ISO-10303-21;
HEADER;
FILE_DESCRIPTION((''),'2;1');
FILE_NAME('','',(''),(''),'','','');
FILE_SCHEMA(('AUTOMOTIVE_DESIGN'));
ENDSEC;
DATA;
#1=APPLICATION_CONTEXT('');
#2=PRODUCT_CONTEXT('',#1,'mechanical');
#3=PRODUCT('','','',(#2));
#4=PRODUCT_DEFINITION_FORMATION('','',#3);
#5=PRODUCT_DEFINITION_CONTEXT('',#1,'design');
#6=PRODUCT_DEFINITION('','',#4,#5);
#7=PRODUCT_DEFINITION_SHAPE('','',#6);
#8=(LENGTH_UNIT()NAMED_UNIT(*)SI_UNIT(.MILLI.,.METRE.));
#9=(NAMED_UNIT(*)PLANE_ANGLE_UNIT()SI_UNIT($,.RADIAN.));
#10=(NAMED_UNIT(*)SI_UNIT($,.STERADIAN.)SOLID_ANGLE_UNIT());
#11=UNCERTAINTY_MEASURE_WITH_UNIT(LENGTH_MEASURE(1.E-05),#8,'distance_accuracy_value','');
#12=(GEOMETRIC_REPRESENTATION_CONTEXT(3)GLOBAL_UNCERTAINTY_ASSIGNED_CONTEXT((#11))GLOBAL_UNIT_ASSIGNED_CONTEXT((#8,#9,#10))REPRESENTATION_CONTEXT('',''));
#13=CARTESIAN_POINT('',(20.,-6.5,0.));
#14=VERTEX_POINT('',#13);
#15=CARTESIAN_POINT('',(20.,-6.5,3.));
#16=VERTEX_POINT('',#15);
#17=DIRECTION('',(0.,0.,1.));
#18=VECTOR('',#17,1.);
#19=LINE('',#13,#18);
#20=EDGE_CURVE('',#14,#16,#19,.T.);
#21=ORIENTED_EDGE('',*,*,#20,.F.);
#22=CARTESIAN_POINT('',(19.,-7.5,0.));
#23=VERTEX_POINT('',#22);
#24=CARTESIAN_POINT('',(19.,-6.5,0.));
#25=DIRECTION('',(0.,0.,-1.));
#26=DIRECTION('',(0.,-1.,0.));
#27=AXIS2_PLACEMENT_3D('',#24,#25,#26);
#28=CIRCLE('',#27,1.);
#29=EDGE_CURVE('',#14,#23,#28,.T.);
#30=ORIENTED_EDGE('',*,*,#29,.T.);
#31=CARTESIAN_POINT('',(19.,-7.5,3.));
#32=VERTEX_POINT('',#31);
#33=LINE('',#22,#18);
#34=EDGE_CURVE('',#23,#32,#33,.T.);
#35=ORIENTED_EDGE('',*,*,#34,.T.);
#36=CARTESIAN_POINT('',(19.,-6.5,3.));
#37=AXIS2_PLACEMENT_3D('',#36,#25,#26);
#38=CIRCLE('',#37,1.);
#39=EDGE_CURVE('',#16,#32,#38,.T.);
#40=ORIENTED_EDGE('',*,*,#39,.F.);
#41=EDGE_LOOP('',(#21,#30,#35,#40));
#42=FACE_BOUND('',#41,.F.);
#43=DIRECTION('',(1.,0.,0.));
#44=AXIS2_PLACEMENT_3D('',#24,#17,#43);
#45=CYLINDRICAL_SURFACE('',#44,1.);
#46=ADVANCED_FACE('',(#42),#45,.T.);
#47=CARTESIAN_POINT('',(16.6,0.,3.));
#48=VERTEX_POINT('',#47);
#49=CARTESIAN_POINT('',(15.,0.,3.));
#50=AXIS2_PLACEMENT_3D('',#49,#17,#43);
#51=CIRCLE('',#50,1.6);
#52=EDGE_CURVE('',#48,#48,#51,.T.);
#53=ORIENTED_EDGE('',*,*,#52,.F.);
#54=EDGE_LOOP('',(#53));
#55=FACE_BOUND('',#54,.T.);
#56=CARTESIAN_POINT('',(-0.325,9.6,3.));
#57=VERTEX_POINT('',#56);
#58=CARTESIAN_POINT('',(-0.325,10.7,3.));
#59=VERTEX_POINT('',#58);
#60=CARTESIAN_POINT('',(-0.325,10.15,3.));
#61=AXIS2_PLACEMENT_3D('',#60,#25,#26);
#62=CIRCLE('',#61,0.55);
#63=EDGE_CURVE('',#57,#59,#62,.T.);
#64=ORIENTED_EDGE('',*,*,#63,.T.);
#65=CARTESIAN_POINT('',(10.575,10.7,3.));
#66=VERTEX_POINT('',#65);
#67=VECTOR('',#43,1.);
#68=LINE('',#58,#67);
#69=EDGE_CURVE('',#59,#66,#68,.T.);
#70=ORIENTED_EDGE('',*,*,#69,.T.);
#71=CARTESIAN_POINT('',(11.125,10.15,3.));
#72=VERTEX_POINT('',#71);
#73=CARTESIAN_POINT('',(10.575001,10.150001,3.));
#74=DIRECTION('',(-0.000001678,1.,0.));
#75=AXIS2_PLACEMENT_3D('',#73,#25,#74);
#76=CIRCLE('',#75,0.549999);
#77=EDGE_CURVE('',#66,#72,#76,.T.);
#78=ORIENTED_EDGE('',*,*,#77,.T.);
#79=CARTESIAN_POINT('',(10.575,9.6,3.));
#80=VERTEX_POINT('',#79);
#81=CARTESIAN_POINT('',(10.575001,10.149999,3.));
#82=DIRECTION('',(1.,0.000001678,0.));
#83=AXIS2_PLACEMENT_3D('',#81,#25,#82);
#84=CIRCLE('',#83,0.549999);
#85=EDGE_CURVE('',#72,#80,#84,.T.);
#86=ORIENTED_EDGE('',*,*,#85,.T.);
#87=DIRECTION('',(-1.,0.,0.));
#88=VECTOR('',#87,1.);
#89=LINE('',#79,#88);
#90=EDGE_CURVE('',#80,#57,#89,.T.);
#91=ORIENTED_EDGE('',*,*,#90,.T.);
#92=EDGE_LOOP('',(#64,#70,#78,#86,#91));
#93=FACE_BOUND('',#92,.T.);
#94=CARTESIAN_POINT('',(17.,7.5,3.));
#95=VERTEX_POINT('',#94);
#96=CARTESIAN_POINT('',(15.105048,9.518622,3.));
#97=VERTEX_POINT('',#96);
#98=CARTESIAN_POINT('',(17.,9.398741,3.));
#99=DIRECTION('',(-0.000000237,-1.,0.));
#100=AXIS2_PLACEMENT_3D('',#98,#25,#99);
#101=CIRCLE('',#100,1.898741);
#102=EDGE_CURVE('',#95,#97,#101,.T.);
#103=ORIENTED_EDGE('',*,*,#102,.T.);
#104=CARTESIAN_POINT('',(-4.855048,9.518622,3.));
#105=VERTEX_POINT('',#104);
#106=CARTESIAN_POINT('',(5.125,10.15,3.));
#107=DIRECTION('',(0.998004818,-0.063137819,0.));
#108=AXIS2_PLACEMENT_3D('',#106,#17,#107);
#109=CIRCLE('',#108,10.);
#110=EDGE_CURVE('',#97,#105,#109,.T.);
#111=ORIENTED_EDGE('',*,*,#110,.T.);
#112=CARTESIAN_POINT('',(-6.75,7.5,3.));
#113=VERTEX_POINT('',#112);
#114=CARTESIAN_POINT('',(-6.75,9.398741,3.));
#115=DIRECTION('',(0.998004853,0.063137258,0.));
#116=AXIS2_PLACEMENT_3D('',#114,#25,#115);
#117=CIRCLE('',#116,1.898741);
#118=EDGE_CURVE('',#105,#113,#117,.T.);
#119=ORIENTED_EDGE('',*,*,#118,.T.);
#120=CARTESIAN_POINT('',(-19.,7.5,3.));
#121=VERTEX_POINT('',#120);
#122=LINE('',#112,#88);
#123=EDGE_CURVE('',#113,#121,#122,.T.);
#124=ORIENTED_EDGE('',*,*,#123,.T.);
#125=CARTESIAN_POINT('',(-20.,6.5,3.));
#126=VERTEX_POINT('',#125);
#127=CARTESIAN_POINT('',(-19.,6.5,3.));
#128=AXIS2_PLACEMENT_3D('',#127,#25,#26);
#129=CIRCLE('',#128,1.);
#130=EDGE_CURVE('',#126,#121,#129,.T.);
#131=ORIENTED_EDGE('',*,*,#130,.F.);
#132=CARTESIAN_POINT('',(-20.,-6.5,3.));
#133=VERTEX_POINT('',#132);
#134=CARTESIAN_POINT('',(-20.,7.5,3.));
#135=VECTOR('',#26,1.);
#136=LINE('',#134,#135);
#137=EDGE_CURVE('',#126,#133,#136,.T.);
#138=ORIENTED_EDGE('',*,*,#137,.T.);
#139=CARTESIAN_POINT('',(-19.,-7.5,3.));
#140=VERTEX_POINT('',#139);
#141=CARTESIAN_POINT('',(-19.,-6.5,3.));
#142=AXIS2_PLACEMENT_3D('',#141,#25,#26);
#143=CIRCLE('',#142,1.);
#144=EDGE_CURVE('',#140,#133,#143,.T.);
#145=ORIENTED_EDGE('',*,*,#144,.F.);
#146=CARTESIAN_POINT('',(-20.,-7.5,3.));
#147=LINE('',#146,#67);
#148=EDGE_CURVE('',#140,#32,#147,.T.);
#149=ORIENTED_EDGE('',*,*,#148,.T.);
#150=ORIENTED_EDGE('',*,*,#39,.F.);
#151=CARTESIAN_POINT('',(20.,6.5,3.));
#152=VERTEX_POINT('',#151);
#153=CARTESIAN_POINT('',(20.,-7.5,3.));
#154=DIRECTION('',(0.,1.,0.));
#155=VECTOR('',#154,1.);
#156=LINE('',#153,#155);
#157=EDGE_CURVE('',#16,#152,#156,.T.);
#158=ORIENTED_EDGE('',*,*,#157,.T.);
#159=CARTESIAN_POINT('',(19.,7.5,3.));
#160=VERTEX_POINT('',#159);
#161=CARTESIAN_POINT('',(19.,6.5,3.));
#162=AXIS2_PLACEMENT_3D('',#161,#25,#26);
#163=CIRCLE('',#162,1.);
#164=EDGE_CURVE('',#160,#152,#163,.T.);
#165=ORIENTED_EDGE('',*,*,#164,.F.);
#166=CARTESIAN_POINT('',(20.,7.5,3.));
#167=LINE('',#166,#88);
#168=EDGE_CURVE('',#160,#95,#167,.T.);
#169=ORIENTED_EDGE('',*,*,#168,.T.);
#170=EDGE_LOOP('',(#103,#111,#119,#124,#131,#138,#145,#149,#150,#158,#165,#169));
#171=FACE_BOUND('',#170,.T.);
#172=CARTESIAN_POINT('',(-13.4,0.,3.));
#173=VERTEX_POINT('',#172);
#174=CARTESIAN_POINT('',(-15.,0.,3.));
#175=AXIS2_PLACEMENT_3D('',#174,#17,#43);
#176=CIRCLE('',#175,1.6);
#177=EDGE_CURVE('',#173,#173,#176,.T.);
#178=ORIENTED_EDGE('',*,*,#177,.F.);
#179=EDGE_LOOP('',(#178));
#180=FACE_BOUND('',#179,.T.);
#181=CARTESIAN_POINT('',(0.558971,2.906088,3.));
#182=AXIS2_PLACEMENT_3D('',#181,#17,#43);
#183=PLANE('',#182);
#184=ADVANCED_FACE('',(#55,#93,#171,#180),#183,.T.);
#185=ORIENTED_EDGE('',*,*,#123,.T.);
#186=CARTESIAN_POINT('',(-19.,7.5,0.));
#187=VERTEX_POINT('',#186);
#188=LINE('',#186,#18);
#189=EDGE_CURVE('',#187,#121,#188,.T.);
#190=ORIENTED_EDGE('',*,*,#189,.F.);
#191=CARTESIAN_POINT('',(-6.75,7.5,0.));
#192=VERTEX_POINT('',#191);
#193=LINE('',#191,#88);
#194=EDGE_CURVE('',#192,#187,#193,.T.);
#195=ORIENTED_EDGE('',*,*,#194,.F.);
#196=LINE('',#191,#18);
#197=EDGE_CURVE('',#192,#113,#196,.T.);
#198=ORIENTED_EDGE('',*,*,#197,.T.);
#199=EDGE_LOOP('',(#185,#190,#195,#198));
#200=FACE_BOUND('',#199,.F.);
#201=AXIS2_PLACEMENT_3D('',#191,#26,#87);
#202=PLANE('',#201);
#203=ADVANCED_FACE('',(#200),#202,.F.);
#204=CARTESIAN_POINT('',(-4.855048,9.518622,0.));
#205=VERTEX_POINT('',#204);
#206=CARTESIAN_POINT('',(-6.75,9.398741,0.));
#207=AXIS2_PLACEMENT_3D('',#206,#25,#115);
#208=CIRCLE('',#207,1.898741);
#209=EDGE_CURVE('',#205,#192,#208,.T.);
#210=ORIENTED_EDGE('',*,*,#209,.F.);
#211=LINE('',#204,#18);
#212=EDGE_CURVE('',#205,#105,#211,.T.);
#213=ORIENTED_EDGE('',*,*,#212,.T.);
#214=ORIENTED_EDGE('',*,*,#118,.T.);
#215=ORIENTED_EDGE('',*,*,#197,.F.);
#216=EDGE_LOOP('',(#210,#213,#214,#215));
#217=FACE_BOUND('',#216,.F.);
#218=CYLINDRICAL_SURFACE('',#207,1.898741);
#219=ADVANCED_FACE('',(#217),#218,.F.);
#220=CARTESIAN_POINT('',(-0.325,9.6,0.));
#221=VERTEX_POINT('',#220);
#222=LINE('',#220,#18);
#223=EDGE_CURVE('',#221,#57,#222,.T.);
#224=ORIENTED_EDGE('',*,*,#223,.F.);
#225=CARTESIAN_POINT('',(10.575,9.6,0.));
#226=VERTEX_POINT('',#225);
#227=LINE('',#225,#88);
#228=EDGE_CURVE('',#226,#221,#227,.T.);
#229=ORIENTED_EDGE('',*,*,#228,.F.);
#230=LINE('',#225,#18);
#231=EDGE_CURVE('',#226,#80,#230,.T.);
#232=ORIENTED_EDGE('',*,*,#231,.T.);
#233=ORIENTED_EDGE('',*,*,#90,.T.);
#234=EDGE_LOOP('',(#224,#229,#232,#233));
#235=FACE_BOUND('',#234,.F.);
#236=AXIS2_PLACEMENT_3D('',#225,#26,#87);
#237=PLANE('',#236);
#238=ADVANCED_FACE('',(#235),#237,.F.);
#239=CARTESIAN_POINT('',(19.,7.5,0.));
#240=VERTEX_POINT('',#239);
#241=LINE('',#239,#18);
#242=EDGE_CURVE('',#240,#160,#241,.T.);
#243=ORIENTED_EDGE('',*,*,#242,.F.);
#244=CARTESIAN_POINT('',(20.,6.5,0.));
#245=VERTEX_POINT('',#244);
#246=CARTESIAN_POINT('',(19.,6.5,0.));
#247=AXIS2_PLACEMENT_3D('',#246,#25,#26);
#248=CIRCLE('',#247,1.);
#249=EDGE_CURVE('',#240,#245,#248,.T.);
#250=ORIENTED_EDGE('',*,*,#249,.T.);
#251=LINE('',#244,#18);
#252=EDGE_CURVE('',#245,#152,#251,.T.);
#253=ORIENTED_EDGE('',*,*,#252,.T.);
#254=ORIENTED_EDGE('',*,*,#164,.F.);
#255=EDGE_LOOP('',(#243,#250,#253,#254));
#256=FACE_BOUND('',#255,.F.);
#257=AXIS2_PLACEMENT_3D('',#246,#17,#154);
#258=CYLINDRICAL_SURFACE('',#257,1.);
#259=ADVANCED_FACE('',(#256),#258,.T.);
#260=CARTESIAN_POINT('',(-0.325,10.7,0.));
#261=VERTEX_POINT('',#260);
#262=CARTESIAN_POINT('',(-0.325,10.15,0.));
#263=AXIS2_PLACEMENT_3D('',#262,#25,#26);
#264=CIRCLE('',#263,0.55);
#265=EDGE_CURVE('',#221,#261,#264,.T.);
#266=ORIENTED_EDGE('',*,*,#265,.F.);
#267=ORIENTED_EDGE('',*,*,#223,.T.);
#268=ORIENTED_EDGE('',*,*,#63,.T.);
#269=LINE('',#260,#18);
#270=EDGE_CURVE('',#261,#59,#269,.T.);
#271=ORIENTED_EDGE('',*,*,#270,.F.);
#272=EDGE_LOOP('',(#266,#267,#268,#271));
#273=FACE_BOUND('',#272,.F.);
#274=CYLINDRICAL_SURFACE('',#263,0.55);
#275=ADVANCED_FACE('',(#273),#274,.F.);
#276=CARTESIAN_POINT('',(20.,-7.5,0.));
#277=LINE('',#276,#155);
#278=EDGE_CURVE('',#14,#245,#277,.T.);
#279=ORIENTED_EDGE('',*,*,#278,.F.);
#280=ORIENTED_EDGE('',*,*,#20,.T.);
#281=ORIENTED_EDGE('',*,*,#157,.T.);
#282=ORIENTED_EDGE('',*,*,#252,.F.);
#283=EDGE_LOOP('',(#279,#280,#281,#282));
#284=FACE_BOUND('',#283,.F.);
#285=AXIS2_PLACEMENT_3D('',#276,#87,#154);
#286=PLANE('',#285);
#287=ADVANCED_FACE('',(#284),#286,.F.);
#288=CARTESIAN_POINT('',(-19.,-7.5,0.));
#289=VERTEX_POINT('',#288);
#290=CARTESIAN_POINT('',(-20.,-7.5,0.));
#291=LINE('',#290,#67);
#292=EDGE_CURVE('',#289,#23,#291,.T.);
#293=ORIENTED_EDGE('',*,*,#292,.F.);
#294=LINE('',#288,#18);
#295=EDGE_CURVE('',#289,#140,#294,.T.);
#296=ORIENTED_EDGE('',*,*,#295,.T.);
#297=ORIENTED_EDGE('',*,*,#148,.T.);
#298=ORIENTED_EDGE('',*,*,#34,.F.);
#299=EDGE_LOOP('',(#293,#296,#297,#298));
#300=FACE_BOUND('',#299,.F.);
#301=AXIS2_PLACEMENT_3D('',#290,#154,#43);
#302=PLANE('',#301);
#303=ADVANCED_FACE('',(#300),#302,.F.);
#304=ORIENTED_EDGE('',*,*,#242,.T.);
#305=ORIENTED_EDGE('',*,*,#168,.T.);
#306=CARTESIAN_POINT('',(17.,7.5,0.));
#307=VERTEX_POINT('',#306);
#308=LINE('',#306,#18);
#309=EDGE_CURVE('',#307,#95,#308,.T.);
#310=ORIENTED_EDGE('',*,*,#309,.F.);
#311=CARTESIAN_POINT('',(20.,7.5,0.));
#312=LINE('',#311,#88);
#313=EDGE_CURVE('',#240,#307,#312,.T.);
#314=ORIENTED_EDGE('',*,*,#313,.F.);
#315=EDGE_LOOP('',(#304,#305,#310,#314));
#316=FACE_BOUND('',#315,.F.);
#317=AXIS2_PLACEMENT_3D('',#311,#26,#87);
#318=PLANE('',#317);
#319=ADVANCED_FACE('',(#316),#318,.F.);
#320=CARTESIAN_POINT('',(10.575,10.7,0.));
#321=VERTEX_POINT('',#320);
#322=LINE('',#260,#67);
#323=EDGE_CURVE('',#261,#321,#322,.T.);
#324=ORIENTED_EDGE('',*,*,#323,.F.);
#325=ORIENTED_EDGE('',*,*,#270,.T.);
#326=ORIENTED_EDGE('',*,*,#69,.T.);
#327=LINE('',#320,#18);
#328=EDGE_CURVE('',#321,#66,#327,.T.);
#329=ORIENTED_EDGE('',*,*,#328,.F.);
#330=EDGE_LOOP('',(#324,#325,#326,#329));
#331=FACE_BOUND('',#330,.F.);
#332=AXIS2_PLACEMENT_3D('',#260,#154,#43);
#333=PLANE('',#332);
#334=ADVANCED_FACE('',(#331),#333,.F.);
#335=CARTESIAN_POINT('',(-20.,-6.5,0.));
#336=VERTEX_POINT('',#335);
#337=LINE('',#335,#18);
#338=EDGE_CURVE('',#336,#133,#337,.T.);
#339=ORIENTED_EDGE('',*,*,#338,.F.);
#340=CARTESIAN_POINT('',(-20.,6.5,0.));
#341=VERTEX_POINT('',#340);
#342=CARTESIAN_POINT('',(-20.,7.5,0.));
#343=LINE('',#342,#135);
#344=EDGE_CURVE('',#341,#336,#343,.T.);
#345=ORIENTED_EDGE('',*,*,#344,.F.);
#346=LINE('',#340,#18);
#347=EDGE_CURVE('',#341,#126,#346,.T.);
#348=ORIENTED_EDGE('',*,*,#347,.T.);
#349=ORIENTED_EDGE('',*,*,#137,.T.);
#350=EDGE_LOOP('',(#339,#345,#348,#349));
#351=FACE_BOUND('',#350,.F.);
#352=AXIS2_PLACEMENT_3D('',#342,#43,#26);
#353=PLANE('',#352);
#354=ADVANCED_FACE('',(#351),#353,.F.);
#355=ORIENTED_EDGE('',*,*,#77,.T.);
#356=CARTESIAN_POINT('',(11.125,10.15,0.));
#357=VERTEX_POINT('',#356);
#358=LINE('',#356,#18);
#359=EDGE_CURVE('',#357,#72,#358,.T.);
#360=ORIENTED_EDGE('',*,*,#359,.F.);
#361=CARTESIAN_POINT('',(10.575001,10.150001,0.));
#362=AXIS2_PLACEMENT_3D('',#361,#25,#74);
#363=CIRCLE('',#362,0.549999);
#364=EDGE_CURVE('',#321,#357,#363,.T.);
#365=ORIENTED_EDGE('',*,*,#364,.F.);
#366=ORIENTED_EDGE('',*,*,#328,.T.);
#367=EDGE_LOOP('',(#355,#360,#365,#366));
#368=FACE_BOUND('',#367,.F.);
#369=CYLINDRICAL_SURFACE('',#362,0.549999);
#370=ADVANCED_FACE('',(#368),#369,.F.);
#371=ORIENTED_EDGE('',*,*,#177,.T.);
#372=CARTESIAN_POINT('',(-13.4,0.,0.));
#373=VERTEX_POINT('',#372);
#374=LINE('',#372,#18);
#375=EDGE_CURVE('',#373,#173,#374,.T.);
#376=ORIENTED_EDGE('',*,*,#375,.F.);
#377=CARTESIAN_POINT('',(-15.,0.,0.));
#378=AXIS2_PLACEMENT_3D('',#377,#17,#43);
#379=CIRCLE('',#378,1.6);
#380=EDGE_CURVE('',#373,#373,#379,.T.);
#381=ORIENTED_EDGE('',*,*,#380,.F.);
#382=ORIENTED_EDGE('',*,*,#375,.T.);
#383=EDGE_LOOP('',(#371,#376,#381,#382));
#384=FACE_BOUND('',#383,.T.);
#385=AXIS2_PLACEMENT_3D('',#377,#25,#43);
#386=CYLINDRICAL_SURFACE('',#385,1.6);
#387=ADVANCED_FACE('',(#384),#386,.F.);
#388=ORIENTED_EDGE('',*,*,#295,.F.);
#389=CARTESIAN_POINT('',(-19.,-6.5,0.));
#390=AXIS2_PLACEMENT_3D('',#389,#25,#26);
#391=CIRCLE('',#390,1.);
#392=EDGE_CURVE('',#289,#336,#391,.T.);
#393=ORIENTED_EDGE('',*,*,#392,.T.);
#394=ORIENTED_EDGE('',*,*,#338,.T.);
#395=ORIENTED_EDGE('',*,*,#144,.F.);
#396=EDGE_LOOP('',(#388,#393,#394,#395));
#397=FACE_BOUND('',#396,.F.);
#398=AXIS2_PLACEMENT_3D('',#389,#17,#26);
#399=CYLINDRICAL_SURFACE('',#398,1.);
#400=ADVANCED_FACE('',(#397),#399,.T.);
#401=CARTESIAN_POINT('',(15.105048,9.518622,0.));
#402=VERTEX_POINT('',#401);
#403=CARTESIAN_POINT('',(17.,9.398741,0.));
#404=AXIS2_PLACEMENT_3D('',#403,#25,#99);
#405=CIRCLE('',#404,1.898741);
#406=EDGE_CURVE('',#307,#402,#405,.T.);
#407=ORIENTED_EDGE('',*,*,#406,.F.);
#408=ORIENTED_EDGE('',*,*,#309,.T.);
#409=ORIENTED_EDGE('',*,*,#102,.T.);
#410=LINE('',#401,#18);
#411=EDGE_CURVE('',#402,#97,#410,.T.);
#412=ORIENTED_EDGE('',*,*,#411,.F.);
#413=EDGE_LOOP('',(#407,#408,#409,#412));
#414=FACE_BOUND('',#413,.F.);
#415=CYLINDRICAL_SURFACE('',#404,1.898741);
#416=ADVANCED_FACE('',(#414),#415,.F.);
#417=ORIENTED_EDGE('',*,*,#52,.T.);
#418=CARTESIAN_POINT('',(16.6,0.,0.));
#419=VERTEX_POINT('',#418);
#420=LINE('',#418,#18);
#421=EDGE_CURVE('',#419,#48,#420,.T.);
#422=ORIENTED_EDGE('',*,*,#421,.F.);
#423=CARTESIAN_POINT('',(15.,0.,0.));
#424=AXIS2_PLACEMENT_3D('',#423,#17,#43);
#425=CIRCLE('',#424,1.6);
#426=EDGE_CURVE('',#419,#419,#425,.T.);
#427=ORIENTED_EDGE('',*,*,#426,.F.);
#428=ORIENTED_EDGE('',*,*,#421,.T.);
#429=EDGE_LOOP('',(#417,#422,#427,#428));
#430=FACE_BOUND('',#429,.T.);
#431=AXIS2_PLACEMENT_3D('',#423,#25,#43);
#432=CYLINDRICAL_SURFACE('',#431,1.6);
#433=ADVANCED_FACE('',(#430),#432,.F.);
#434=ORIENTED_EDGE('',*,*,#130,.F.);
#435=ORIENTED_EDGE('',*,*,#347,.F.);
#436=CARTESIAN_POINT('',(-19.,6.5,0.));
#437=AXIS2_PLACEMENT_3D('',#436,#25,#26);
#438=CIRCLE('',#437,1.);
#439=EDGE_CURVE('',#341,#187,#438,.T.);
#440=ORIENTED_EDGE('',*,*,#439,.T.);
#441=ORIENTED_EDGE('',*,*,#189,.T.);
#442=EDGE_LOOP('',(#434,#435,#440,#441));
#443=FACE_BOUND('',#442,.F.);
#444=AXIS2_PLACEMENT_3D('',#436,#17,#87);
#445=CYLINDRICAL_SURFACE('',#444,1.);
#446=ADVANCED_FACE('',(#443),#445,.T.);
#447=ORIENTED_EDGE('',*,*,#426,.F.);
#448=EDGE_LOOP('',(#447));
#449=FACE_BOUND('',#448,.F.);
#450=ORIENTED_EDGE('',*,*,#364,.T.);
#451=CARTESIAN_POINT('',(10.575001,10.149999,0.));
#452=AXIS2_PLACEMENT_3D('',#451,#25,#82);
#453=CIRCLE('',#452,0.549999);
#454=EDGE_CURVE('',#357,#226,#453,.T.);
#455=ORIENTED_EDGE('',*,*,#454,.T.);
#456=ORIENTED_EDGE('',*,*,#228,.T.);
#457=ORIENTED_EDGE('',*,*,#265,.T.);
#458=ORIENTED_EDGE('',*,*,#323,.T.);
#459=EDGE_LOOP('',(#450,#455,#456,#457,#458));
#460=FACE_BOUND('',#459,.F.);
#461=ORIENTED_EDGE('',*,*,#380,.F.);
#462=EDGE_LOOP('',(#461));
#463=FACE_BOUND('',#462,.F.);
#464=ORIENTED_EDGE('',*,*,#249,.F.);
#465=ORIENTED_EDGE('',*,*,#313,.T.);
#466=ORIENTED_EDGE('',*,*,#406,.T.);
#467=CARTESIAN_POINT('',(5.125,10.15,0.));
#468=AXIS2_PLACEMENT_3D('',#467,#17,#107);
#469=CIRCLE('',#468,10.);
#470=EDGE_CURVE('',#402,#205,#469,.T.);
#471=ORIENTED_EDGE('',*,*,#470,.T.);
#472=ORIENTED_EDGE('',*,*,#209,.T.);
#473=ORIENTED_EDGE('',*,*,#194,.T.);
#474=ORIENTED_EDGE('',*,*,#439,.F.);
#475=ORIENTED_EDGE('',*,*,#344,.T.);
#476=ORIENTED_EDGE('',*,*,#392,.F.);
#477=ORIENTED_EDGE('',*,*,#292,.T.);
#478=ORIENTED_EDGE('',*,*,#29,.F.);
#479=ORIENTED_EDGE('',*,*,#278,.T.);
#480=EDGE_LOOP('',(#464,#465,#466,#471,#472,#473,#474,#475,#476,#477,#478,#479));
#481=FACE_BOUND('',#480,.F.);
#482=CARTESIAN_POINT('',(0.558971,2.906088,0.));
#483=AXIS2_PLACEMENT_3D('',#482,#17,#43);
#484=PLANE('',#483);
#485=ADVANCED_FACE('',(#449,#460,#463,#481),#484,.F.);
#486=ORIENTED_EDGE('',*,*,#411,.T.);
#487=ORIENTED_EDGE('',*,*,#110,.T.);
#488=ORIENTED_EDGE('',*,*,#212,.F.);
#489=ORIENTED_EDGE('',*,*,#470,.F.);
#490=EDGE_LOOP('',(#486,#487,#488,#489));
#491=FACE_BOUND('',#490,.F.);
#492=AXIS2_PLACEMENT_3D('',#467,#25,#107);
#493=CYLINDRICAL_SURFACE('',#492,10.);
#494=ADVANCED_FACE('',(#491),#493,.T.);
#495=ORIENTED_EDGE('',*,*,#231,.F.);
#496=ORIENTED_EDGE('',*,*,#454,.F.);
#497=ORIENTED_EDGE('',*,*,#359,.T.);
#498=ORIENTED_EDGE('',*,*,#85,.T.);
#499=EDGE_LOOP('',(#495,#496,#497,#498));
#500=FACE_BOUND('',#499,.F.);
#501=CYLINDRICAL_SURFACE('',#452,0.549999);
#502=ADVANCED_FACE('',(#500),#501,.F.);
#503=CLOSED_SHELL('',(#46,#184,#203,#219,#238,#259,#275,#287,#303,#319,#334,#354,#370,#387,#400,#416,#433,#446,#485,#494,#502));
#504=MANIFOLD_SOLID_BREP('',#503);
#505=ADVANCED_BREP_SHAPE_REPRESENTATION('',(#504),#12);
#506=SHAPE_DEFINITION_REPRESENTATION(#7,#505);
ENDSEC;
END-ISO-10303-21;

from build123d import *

# Parameters (mm, degrees)
F0_R     = 1.6
F1_DEPTH = 3
F2_R     = 1


with BuildPart() as f1:
    # F0 (on Top) → F1 (new body)
    with BuildSketch(Plane.XY):
        with BuildLine():
            Line((20, 0), (20, 7.5))
            Line((20, 7.5), (17, 7.5))
            ThreePointArc((17, 7.5), (15.615652, 8.099204), (15.105048, 9.518622))
            ThreePointArc((15.105048, 9.518622), (5.125, 20.15), (-4.855048, 9.518622))
            ThreePointArc((-4.855048, 9.518622), (-5.365652, 8.099204), (-6.75, 7.5))
            Line((-6.75, 7.5), (-20, 7.5))
            Line((-20, 7.5), (-20, 0))
            Line((-20, 0), (-20, -7.5))
            Line((-20, -7.5), (20, -7.5))
            Line((20, -7.5), (20, 0))
        make_face()
        with Locations((-15, 0)):
            Circle(F0_R, mode=Mode.SUBTRACT)
        with Locations((15, 0)):
            Circle(F0_R, mode=Mode.SUBTRACT)
        with BuildLine():
            ThreePointArc((-0.325, 9.6), (-0.875, 10.15), (-0.325, 10.7))
            Line((-0.325, 10.7), (10.575, 10.7))
            ThreePointArc((10.575, 10.7), (10.963909, 10.538909), (11.125, 10.15))
            ThreePointArc((11.125, 10.15), (10.963909, 9.761091), (10.575, 9.6))
            Line((10.575, 9.6), (-0.325, 9.6))
        make_face(mode=Mode.SUBTRACT)
    extrude(amount=F1_DEPTH)

    # F2
    f2_edges = [f1.edges().sort_by_distance(p)[0] for p in [
        (-20, -7.5, 1.5),
        (20, -7.5, 1.5),
        (20, 7.5, 1.5),
        (-20, 7.5, 1.5),
    ]]
    fillet(f2_edges, radius=F2_R)


solid = f1.part
